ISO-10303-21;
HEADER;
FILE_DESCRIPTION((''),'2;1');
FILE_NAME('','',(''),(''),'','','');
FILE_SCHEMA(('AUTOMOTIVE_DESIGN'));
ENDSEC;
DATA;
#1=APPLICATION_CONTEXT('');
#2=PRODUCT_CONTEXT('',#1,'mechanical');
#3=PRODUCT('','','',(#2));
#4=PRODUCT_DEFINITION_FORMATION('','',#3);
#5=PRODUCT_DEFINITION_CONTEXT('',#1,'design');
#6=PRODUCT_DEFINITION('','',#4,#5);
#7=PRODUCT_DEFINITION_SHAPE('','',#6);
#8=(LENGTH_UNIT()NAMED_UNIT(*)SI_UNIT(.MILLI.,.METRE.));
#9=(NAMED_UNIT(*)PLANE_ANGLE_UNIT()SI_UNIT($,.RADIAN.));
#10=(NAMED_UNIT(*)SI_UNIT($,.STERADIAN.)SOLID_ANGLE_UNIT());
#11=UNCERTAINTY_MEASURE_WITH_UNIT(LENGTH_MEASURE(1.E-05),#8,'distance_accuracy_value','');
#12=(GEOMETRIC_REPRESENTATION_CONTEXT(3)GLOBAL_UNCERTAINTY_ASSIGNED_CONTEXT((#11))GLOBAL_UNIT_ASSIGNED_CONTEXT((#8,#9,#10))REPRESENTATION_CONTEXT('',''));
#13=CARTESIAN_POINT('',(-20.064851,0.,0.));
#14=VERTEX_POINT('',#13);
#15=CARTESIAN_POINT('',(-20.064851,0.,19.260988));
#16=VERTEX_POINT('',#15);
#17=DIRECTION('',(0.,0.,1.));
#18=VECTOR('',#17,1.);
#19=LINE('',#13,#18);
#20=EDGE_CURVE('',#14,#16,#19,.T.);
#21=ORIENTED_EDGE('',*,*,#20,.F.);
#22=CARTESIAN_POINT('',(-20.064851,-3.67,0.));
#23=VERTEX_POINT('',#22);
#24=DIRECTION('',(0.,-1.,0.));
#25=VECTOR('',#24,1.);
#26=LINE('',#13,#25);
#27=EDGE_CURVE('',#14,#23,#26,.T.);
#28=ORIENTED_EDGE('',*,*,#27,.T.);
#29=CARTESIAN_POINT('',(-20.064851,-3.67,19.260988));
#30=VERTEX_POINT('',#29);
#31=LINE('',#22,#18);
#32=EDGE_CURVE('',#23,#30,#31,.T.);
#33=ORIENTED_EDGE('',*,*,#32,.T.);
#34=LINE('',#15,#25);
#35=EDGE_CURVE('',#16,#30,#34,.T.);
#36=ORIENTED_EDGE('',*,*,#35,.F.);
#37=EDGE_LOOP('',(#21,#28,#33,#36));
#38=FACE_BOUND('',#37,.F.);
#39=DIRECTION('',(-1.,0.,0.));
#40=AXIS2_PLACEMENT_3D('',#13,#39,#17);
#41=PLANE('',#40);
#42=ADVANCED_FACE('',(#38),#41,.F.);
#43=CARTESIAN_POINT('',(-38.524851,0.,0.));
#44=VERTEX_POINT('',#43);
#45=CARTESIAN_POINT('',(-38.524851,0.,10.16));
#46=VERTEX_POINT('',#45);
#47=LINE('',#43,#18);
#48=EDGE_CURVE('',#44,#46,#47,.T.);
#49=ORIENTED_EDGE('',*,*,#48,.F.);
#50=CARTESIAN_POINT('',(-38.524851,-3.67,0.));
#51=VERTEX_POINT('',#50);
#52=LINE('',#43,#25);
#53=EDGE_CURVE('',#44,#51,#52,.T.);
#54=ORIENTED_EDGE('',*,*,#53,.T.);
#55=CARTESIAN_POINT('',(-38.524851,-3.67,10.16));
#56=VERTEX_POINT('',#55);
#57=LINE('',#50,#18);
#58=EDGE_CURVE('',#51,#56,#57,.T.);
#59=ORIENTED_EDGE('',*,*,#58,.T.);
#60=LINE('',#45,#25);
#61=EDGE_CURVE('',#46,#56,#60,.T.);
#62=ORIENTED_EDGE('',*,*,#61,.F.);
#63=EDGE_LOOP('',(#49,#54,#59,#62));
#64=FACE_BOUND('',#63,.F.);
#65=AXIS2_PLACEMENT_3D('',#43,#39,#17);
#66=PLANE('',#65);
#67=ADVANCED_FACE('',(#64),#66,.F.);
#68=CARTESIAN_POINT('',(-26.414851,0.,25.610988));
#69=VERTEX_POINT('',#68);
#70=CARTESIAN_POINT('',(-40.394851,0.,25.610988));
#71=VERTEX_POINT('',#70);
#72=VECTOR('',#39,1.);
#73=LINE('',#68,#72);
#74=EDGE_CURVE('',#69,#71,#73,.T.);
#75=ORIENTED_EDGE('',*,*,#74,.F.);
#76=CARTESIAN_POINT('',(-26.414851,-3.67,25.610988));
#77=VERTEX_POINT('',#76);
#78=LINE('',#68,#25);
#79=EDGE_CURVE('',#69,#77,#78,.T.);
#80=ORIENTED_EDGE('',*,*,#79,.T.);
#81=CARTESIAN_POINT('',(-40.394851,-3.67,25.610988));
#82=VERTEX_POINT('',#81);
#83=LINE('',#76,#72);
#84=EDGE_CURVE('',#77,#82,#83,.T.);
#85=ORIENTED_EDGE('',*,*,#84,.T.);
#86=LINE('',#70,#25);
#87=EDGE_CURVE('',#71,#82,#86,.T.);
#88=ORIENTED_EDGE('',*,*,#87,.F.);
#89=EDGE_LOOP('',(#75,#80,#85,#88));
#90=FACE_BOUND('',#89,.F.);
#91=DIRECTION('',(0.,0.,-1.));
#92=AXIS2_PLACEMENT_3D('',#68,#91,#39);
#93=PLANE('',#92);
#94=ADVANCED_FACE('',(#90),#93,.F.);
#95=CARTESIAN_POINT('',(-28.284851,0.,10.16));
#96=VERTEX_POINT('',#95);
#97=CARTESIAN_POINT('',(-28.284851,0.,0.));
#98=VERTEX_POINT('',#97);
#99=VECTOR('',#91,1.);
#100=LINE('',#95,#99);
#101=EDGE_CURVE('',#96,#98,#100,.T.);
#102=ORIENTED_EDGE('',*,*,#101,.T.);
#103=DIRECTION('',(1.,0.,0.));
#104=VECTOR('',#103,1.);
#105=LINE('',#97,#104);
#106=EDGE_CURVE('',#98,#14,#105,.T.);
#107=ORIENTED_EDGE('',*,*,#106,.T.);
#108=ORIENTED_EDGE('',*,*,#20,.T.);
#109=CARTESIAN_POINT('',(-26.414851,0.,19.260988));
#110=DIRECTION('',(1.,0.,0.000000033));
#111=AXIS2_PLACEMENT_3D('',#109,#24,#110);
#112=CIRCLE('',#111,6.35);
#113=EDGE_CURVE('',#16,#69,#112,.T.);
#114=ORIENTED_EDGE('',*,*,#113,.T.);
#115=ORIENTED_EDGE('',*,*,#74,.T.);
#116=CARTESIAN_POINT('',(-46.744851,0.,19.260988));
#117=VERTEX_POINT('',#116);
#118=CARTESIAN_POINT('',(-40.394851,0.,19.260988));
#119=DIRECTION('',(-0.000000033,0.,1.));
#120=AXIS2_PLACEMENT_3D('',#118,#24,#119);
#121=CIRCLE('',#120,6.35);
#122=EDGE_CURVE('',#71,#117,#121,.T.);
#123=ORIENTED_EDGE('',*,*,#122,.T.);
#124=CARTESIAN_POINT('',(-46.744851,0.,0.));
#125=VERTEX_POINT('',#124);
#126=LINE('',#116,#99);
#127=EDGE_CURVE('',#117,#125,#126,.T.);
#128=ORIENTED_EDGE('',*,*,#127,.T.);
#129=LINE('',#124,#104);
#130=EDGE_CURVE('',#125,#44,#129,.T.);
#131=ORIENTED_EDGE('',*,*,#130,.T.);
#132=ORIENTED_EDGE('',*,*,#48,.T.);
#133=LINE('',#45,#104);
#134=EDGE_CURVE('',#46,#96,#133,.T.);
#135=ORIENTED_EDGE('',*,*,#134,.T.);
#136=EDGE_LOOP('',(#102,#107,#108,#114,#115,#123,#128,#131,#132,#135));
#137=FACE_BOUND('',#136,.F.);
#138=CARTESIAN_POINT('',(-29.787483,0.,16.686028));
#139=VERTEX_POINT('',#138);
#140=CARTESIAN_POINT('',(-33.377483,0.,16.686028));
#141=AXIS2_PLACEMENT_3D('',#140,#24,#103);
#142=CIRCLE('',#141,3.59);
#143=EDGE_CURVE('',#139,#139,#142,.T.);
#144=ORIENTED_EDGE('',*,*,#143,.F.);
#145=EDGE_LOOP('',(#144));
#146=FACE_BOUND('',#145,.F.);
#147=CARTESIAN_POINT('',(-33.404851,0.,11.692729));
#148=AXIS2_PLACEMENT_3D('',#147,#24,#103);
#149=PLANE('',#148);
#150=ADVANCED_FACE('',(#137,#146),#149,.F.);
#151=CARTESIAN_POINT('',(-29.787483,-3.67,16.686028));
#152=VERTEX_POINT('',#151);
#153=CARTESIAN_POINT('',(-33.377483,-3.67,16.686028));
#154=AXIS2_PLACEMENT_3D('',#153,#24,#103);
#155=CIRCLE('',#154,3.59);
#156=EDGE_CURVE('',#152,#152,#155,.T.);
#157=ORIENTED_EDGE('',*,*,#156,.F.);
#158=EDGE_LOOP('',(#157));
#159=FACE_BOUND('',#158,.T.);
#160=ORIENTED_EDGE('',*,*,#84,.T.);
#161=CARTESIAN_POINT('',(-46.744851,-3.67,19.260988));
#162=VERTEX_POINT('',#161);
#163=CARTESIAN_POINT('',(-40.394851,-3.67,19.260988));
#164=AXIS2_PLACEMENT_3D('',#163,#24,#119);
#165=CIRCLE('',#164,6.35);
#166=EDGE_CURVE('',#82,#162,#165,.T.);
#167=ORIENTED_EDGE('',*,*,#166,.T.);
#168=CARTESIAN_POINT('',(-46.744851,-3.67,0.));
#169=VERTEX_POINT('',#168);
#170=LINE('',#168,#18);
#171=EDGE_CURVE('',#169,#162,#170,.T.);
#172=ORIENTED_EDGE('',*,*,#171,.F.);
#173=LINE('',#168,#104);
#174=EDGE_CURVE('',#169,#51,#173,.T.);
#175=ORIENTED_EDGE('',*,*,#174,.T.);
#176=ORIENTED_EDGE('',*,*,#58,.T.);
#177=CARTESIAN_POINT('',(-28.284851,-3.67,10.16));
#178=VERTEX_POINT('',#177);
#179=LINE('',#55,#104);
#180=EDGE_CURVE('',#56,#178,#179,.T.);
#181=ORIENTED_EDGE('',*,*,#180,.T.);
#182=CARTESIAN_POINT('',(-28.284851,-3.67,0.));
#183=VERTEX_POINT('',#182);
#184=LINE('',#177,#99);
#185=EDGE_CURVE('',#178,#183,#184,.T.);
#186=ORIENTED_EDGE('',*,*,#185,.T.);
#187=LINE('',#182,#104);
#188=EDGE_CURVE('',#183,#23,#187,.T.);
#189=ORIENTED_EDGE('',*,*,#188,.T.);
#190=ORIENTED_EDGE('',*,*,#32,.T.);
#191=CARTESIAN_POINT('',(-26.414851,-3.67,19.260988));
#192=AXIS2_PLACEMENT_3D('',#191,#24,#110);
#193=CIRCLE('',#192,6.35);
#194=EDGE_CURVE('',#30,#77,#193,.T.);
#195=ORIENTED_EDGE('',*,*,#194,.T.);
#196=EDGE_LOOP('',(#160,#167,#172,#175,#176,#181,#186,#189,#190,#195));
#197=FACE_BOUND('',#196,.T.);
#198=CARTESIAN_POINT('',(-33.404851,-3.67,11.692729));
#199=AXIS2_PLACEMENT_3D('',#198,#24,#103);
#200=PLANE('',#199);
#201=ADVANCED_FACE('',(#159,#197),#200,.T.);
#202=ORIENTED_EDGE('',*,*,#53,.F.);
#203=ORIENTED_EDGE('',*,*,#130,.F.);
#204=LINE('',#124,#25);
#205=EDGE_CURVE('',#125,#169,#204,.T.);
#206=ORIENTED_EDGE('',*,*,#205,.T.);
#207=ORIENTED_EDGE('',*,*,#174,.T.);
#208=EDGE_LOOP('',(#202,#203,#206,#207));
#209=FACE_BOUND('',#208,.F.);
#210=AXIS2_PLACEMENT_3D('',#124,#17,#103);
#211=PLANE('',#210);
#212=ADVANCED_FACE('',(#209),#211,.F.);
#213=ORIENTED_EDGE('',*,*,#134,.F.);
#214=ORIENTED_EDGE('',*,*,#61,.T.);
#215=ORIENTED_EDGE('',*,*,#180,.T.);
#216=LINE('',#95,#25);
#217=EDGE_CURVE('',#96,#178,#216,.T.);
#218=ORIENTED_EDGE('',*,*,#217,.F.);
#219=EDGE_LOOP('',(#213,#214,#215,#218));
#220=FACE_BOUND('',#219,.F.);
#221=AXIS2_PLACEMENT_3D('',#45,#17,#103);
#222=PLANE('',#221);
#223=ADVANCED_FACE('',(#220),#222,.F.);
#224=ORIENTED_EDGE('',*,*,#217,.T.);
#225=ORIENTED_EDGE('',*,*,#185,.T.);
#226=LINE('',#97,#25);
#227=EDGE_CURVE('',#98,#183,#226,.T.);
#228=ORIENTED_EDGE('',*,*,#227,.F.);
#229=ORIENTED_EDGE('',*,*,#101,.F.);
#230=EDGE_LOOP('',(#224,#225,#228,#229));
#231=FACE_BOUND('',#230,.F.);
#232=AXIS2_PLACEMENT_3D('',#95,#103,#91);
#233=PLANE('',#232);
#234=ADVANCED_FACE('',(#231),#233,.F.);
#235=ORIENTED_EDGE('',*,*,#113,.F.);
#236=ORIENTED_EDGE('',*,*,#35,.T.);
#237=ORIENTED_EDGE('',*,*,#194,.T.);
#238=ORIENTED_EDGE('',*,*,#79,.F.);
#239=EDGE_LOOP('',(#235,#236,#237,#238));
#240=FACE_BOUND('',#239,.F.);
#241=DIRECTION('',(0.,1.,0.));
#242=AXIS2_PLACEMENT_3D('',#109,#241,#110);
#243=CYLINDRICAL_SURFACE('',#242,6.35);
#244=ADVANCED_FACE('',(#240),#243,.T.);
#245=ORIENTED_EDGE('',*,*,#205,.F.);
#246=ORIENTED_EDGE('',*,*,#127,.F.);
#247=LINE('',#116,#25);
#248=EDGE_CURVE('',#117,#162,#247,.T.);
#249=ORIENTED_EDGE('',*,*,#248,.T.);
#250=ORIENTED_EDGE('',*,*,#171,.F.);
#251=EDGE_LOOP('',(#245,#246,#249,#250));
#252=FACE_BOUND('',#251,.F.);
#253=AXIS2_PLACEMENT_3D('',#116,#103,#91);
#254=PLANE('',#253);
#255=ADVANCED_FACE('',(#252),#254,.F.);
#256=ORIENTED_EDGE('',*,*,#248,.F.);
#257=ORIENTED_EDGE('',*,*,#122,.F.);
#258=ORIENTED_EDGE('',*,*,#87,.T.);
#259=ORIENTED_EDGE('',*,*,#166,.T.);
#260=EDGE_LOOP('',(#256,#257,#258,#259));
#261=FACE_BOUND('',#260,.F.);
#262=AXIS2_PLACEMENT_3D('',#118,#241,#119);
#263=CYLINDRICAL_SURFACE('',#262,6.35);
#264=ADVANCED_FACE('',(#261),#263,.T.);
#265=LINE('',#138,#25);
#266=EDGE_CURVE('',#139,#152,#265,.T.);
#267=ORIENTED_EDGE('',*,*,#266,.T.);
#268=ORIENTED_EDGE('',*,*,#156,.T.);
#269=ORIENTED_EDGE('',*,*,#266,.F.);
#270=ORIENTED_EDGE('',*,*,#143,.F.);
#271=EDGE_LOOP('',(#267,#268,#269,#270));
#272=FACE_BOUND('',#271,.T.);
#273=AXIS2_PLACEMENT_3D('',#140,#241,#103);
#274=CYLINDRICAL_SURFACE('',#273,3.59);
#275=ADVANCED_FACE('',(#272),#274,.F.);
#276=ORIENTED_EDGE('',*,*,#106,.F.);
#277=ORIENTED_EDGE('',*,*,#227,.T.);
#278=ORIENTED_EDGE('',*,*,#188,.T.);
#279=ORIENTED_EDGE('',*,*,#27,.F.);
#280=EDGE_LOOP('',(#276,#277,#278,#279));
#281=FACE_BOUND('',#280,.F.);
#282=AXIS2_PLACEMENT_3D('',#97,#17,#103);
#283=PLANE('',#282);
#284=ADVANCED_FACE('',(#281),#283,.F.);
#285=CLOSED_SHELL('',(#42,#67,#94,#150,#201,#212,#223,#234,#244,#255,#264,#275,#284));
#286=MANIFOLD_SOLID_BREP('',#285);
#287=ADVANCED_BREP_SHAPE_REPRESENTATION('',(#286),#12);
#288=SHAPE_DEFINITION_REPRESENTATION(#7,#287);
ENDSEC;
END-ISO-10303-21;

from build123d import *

# Parameters (mm, degrees)
F0_R     = 3.59
F1_DEPTH = 3.67
F3_DEPTH = 3.671
F4_W     = 6.9088
F4_H     = 18.185156
F4_W_2   = 6.909577
F5_DEPTH = 3.671


with BuildPart() as f1:
    # F0 (on Front) → F1 (new body)
    with BuildSketch(Plane.XZ):
        with BuildLine():
            Line((-46.744851, 19.260988), (-46.744851, 10.16))
            Line((-46.744851, 10.16), (-46.744851, 0))
            Line((-46.744851, 0), (-38.524851, 0))
            Line((-38.524851, 0), (-38.524851, 10.16))
            Line((-38.524851, 10.16), (-28.284851, 10.16))
            Line((-28.284851, 10.16), (-28.284851, 0))
            Line((-28.284851, 0), (-20.064851, 0))
            Line((-20.064851, 0), (-20.064851, 10.16))
            Line((-20.064851, 10.16), (-20.064851, 19.260988))
            ThreePointArc((-20.064851, 19.260988), (-21.924723, 23.751116), (-26.414851, 25.610988))
            Line((-26.414851, 25.610988), (-40.394851, 25.610988))
            ThreePointArc((-40.394851, 25.610988), (-44.884979, 23.751116), (-46.744851, 19.260988))
        make_face()
        with Locations((-33.377483, 16.686028)):
            Circle(F0_R, mode=Mode.SUBTRACT)
    extrude(amount=F1_DEPTH)

    # F2 (on face) → F3 (cut, through all)
    with BuildSketch(Plane.XZ.offset(3.67)):
        with BuildLine():
            ThreePointArc((-53.653651, 34.695156), (-51.793779, 30.205028), (-47.303651, 28.345156))
            Line((-47.303651, 28.345156), (-4.503874, 28.345156))
            Line((-4.503874, 28.345156), (-4.503874, 41.061975))
            Line((-4.503874, 41.061975), (-53.653651, 41.061975))
            Line((-53.653651, 41.061975), (-53.653651, 34.695156))
        make_face()
    extrude(amount=-F3_DEPTH, mode=Mode.SUBTRACT)

    # F4 (on face) → F5 (cut, through all)
    with BuildSketch(Plane.XZ.offset(3.67)):
        with Locations((-50.199251, 9.092578)):
            Rectangle(F4_W, F4_H)
        with Locations((-16.610062, 9.092578)):
            Rectangle(F4_W_2, F4_H)
    extrude(amount=-F5_DEPTH, mode=Mode.SUBTRACT)


solid = f1.part
